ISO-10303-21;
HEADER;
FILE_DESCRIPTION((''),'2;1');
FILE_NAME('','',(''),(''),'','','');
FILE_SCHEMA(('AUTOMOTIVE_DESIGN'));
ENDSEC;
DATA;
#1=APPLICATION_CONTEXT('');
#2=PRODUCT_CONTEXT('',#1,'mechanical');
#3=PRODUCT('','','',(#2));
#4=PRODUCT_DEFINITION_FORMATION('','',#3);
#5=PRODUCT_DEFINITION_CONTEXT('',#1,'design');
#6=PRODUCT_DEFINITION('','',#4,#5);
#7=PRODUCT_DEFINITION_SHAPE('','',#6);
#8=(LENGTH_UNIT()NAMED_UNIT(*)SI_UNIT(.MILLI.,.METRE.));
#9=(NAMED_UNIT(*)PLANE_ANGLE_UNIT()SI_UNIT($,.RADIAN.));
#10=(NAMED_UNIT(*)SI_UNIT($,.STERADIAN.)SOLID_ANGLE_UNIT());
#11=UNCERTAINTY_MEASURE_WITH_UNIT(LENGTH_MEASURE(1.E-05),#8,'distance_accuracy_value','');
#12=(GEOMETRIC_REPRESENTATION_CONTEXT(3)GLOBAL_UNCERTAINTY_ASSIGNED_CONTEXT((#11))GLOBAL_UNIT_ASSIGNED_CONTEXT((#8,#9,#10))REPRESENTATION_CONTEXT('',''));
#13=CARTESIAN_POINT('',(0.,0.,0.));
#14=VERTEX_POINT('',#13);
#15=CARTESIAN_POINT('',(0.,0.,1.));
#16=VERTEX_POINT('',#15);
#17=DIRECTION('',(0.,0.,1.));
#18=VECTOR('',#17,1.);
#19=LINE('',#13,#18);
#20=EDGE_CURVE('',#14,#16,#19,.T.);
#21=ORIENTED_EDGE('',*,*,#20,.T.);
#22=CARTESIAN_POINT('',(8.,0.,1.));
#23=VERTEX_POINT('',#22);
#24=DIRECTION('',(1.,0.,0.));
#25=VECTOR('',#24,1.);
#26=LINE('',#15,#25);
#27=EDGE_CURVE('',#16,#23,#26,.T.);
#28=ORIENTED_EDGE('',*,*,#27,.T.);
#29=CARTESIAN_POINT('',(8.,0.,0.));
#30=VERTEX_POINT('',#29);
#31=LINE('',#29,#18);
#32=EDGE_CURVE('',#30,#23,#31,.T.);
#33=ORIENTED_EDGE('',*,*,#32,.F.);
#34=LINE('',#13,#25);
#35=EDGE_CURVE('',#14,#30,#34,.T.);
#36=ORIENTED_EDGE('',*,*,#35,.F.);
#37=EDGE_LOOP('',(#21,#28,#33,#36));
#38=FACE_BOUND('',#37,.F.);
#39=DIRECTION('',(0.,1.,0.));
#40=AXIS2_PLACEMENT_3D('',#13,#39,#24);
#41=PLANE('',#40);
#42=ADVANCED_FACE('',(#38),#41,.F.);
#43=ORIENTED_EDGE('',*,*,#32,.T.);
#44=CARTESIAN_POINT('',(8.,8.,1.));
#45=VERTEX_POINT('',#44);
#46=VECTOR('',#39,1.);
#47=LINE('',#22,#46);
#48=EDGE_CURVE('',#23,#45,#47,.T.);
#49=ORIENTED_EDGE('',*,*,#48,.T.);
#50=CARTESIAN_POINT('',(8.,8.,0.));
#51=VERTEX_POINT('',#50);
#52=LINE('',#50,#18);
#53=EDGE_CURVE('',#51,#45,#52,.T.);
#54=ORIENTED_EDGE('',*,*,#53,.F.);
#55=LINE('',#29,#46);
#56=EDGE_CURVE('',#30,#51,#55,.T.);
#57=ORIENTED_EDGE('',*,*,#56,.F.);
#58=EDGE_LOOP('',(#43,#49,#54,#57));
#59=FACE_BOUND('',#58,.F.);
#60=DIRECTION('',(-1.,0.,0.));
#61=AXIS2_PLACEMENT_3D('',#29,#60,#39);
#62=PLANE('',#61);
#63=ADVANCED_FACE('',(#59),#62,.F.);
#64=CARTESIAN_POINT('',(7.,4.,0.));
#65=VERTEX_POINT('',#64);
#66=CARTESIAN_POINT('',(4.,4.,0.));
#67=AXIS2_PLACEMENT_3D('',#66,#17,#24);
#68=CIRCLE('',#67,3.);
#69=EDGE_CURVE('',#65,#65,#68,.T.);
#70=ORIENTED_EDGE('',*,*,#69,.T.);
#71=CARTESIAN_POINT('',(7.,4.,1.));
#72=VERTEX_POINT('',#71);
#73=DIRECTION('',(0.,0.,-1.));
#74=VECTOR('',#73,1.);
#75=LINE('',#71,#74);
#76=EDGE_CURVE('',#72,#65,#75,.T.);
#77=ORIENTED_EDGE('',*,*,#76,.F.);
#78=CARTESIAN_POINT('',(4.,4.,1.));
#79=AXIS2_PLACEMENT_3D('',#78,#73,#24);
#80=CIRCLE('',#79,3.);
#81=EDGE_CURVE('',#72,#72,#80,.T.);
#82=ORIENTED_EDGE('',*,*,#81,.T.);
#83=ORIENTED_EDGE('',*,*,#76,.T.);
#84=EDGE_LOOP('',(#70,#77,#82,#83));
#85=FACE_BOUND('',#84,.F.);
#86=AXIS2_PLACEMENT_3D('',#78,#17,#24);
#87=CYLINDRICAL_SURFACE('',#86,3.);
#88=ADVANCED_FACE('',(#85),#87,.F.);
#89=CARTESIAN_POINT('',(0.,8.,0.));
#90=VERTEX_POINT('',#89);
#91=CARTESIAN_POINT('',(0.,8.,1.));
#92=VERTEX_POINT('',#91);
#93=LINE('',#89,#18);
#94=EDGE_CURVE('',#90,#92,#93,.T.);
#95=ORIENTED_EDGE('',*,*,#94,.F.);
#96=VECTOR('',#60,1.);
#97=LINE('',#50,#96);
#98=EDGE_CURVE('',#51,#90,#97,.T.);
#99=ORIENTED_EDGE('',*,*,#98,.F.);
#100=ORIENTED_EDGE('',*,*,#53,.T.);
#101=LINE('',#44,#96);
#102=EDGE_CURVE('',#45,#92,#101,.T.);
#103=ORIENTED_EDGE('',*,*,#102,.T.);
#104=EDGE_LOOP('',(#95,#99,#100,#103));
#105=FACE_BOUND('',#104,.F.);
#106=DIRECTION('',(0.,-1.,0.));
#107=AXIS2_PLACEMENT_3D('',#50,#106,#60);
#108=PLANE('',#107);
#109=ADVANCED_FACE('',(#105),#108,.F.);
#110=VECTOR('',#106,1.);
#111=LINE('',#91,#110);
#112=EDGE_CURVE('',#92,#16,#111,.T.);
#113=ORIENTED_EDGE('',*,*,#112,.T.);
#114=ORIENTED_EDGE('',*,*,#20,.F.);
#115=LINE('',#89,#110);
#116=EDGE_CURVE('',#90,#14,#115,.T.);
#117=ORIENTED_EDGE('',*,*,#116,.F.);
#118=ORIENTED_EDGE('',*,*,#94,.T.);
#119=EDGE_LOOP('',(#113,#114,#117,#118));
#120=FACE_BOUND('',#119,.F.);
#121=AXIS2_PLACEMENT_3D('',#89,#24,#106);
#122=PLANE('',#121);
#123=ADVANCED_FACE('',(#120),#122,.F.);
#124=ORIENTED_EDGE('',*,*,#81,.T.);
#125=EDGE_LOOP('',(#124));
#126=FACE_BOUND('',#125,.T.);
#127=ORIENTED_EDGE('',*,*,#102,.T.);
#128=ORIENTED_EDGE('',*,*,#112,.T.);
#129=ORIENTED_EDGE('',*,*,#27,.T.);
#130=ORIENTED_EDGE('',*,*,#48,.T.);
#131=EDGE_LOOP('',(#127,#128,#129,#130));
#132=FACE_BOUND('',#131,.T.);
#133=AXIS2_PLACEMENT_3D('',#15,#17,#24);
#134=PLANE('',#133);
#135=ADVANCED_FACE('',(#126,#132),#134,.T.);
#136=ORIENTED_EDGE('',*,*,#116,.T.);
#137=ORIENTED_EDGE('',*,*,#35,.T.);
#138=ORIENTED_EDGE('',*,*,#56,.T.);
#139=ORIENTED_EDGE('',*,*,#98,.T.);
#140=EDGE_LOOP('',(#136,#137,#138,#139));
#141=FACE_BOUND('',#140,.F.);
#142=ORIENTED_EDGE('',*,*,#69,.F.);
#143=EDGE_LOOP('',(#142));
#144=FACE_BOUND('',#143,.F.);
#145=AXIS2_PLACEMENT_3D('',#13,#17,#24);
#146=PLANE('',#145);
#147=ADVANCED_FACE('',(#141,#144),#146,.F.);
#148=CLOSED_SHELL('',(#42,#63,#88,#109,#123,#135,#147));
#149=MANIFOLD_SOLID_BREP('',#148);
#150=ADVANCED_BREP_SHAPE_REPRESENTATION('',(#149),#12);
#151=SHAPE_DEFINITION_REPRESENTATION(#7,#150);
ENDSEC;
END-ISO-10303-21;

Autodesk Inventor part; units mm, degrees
ref_plane "YZ Plane" through (0, 0, 0) normal (1, 0, 0) x (0, 1, 0)
ref_plane "XZ Plane" through (0, 0, 0) normal (0, 1, 0) x (-1, 0, 0)
ref_plane "XY Plane" through (0, 0, 0) normal (0, 0, 1) x (1, 0, 0)
sketch "Sketch1" plane through (0, 0, 0) normal (0, 0, 1) x (1, 0, 0)
  line L0 (0, 0) -> (8, 0)
  line L1 (8, 0) -> (8, 8)
  line L2 (8, 8) -> (0, 8)
  line L3 (0, 8) -> (0, 0)
  arc A0 (3.175, 7.9375) -> (0, 8) centre (0, -72.6762) ccw
  dimension "d0" = 8
  dimension "d1" = 8
sketch "Sketch2" plane through (0, 0, 0) normal (0, 0, 1) x (1, 0, 0)
  line L0 (0, 7.9375) -> (4, 7.9375)
  point P0 (0, 0)
  dimension "d2" = 4
extrude "Extrusion1" add sketch "Sketch1" along normal blind 1
sketch "Sketch3" plane through (0, 0, 1) normal (0, 0, 1) x (1, 0, 0)
  line L0 (8, 8) -> (0, 8) projected
  line L1 (0, 8) -> (4, 8)
  line L2 (4, 8) -> (4, 4)
  circle A0 centre (4, 4) radius 3
  point P0 (0, 0)
  dimension "d5" = 4
  dimension "d6" = 4
  dimension "d7" = 6
extrude "Extrusion2" cut sketch "Sketch3" along normal mid plane 5
thread "Thread1" size "M6x1" class "6H" standard "ANSI Metric M Profile" full length
properties part number "abc"
